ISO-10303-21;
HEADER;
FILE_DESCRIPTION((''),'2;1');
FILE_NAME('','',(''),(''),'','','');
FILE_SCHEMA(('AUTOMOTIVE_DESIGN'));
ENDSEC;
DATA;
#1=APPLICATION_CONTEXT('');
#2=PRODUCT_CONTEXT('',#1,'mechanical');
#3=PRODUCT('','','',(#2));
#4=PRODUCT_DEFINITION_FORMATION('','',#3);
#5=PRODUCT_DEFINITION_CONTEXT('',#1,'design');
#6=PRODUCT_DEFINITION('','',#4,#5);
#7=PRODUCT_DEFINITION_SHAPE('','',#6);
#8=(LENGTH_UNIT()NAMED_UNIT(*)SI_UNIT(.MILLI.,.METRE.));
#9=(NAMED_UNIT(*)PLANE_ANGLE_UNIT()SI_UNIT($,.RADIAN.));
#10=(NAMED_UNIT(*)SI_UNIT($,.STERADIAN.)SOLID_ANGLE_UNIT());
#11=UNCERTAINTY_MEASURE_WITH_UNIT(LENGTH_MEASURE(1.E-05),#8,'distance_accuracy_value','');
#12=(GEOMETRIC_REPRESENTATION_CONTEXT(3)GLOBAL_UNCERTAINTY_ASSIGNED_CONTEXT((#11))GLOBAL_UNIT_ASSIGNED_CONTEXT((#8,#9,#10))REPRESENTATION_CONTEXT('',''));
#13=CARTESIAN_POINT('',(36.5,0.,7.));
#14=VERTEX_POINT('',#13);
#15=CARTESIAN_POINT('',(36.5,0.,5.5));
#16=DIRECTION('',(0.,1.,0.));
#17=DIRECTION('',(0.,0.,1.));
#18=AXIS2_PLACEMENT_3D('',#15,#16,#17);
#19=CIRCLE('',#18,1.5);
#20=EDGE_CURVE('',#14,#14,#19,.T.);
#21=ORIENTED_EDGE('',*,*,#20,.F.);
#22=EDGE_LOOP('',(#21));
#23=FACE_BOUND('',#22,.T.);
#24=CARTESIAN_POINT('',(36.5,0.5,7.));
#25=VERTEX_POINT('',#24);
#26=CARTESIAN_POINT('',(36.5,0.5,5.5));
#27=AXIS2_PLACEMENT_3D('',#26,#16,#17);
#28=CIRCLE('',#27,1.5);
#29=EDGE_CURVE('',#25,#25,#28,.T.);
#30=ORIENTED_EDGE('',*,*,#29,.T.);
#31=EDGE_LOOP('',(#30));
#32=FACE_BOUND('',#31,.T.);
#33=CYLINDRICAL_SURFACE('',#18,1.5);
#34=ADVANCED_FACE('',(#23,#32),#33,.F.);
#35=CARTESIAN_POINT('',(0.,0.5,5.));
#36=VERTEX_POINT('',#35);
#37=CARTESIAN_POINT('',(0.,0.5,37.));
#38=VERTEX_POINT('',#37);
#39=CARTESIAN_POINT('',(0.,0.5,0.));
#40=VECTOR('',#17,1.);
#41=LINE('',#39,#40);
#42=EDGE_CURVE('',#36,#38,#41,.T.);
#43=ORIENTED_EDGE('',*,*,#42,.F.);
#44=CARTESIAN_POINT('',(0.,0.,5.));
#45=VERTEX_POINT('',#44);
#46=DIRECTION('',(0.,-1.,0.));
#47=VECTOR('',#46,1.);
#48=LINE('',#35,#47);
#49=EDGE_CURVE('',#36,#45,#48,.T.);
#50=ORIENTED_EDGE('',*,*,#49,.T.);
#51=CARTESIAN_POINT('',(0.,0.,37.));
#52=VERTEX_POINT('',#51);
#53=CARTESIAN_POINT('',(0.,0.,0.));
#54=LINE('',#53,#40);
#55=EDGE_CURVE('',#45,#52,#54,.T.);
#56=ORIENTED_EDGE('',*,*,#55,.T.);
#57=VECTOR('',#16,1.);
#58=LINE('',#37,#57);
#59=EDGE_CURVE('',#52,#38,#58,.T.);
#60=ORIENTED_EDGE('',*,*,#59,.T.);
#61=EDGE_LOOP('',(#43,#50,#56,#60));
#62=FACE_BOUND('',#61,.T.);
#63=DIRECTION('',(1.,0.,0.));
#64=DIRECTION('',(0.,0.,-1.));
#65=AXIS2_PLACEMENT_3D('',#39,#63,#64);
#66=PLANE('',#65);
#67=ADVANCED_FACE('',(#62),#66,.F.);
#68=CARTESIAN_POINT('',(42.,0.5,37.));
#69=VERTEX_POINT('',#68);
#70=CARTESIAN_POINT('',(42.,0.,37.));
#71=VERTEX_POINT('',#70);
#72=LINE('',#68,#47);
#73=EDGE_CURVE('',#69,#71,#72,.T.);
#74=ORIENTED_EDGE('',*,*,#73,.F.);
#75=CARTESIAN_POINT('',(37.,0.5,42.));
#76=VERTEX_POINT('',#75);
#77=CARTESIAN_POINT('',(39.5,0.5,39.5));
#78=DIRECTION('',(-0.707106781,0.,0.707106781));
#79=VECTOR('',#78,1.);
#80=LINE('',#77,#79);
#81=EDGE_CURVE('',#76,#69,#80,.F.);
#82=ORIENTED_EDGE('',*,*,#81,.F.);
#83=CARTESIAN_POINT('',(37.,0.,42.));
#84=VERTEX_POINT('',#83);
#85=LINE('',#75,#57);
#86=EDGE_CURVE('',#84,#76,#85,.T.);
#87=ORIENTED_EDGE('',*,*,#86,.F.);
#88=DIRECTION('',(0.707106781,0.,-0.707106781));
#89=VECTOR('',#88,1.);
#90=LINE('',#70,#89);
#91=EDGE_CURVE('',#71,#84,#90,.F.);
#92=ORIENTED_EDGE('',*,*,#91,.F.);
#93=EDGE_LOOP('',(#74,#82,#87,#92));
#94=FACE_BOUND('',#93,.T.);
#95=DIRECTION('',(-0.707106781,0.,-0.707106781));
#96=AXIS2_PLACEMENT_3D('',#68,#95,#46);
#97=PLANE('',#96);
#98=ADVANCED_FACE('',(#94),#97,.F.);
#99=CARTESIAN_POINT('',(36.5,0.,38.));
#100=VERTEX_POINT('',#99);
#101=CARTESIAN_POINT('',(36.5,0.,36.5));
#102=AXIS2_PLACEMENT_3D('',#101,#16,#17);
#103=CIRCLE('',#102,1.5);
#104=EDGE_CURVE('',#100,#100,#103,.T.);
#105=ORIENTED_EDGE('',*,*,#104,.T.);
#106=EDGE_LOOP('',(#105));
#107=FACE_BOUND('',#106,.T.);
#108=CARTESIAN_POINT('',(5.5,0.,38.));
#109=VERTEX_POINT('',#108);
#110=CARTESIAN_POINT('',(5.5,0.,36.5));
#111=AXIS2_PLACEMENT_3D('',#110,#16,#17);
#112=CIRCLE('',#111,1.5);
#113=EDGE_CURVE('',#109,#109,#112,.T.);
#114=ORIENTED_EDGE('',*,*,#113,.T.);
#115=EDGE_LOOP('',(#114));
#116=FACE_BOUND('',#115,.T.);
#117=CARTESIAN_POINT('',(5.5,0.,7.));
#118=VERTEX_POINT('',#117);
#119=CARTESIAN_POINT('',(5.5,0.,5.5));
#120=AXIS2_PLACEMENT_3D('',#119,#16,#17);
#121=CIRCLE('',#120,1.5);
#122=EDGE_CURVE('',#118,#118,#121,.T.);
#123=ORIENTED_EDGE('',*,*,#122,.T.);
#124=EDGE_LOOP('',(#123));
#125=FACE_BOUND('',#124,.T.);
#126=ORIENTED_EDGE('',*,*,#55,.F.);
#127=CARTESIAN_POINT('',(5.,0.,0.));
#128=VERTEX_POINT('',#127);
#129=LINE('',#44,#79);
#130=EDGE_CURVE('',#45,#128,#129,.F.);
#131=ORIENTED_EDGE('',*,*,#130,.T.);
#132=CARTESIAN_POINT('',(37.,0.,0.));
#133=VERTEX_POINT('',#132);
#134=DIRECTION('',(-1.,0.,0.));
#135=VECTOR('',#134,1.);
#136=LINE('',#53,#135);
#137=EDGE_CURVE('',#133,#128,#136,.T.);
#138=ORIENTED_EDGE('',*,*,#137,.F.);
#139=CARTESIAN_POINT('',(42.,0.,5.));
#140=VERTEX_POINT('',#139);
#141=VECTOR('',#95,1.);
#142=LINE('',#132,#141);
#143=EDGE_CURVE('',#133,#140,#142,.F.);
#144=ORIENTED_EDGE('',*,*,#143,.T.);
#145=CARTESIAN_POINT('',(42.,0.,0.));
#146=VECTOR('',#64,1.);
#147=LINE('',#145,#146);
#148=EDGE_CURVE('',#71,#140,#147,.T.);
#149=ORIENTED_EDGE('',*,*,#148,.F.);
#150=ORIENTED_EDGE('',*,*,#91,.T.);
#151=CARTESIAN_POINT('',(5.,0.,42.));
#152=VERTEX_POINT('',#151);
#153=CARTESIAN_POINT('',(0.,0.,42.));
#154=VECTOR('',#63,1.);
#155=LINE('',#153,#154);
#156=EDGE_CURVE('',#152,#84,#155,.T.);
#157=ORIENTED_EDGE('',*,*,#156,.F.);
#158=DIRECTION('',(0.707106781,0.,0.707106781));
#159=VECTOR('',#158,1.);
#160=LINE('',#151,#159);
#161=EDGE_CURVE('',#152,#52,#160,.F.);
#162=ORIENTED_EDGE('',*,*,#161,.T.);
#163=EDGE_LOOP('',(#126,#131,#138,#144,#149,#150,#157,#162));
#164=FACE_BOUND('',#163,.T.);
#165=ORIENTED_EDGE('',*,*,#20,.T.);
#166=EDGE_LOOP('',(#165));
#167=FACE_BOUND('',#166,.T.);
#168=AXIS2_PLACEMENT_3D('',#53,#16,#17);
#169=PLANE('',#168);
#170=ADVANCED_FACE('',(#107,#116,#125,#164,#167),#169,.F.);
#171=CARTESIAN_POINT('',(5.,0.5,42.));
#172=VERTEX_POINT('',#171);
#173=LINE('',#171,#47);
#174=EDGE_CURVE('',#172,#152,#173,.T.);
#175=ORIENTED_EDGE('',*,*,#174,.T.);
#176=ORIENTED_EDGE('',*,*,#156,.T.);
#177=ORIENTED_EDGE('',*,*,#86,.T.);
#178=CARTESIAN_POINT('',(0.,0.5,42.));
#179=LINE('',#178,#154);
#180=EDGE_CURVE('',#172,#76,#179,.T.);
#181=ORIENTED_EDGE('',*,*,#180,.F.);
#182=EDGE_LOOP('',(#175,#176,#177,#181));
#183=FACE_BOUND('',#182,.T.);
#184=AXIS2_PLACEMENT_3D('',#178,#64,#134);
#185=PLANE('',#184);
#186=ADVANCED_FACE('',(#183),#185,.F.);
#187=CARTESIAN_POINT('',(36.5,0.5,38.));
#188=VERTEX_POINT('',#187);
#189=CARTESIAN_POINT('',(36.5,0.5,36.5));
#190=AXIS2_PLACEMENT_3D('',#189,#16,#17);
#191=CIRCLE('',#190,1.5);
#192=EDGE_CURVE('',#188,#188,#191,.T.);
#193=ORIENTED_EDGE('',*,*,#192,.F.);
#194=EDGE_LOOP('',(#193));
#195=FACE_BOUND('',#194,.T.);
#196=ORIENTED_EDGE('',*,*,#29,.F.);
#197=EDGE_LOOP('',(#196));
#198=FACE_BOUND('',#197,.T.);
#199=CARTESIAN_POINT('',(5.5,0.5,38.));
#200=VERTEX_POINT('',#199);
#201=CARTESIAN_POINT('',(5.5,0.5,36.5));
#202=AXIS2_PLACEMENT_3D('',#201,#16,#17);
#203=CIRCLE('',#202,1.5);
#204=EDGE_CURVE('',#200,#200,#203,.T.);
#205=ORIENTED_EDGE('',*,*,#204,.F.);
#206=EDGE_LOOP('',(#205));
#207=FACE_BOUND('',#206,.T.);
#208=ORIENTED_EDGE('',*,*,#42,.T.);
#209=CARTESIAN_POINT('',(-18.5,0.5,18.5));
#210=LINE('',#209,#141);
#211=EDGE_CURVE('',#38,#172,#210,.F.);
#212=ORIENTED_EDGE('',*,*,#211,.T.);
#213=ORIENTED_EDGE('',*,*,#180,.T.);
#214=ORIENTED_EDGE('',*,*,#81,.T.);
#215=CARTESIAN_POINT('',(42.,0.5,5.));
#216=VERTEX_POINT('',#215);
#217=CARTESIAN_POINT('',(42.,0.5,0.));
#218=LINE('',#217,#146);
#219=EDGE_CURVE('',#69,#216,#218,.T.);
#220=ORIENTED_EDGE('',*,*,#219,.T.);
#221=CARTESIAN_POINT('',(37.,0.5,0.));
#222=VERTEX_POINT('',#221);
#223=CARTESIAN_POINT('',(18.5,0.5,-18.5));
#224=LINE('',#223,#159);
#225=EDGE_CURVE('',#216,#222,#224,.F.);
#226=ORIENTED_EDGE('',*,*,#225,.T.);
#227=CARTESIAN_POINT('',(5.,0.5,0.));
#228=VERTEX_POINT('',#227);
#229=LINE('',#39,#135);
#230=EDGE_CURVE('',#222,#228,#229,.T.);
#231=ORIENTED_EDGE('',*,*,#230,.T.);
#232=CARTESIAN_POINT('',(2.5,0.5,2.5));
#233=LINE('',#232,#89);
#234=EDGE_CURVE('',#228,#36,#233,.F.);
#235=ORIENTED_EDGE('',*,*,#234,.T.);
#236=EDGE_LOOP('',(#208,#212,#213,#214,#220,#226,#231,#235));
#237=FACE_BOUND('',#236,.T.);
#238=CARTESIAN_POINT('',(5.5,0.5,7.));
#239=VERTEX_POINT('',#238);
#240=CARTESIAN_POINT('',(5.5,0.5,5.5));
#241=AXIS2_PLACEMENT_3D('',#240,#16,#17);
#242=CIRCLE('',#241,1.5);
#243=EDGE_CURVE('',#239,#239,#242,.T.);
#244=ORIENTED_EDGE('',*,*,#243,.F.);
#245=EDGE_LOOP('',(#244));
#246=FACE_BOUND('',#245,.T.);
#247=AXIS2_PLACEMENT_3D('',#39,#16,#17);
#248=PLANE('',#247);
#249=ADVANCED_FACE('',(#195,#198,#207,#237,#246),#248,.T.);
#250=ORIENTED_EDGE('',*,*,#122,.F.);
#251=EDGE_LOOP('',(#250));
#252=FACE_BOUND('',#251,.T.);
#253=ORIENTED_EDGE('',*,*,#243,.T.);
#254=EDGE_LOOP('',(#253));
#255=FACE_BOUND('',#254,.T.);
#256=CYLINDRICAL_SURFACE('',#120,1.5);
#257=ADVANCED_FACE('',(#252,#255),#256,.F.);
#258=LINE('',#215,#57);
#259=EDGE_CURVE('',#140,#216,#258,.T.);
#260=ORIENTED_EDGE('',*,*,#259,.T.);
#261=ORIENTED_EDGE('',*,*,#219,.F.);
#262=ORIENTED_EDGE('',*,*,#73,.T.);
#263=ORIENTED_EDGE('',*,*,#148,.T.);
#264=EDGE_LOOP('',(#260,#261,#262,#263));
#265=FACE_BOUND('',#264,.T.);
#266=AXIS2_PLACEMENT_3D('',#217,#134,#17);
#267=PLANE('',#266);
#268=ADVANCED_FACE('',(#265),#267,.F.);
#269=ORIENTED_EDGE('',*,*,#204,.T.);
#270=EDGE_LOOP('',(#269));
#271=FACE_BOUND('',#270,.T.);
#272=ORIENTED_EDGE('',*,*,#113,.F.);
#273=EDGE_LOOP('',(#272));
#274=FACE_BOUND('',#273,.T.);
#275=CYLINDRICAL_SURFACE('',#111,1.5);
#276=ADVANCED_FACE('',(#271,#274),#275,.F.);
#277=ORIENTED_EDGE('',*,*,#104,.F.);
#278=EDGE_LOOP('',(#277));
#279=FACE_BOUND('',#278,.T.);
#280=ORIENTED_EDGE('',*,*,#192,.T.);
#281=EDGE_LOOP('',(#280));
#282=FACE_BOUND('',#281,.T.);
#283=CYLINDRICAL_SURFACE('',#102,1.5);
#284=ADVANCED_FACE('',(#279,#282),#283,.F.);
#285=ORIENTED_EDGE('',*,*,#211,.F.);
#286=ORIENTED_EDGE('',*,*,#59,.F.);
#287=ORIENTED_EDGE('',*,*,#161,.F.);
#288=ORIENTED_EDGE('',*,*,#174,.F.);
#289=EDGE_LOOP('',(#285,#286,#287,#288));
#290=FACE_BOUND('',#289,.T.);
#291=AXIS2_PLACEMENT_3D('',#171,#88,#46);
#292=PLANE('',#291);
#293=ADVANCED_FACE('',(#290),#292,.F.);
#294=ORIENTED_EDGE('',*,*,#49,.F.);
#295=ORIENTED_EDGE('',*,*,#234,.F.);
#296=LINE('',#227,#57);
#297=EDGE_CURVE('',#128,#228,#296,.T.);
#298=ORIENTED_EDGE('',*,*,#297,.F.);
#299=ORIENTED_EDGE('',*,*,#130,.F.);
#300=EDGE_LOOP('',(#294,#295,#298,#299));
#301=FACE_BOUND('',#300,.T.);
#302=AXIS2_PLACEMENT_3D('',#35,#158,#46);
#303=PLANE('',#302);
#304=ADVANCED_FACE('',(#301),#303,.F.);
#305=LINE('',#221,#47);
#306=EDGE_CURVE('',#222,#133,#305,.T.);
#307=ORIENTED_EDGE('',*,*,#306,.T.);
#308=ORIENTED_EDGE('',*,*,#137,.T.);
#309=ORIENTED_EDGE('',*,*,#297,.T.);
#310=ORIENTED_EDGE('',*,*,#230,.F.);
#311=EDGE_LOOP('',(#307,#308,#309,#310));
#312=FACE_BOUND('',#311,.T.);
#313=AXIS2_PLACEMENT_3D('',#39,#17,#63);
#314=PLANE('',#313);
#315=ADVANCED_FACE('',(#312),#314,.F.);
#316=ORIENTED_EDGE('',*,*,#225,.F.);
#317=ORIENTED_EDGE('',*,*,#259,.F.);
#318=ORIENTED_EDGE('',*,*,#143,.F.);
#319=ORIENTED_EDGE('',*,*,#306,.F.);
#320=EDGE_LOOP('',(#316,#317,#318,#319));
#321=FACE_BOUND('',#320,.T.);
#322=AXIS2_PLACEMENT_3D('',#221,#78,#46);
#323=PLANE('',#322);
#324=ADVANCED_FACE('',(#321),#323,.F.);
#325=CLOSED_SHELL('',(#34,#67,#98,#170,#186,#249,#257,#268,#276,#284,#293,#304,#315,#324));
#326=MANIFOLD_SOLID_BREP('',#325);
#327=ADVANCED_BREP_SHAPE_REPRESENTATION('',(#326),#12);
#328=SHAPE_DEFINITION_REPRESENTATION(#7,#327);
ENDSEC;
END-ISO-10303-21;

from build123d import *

# Parameters (mm, degrees)
CROQUIS1_W              = 42
CROQUIS1_H              = 42
SALIENTE_EXTRUIR1_DEPTH = 0.5
CROQUIS2_R              = 1.5
CORTAR_EXTRUIR1_DEPTH   = 0.5
CHAFL_N1_SIZE           = 5


with BuildPart() as part:
    # Croquis1 → Saliente-Extruir1 (new body)
    with BuildSketch(Plane(origin=(0, 0, 0), x_dir=(1, 0, 0), z_dir=(0, 1, 0))):
        with Locations((21, -21)):
            Rectangle(CROQUIS1_W, CROQUIS1_H)
    extrude(amount=SALIENTE_EXTRUIR1_DEPTH)

    # Croquis2 → Cortar-Extruir1 (cut)
    with BuildSketch(Plane(origin=(0, 0.5, 0), x_dir=(1, 0, 0), z_dir=(0, 1, 0))):
        with Locations(Location((5.5, -5.5, 0), (0, 0, 270))):
            Circle(CROQUIS2_R)
        with Locations(Location((36.5, -5.5, 0), (0, 0, 270))):
            Circle(CROQUIS2_R)
        with Locations(Location((36.5, -36.5, 0), (0, 0, 270))):
            Circle(CROQUIS2_R)
        with Locations(Location((5.5, -36.5, 0), (0, 0, 270))):
            Circle(CROQUIS2_R)
    extrude(amount=-CORTAR_EXTRUIR1_DEPTH, mode=Mode.SUBTRACT)

    # Chaflán1
    chafl_n1_edges = [part.edges().sort_by_distance(p)[0] for p in [
        (0, 0.25, 0),
        (42, 0.25, 0),
        (42, 0.25, 42),
        (0, 0.25, 42),
    ]]
    chamfer(chafl_n1_edges, length=CHAFL_N1_SIZE)


solid = part.part
